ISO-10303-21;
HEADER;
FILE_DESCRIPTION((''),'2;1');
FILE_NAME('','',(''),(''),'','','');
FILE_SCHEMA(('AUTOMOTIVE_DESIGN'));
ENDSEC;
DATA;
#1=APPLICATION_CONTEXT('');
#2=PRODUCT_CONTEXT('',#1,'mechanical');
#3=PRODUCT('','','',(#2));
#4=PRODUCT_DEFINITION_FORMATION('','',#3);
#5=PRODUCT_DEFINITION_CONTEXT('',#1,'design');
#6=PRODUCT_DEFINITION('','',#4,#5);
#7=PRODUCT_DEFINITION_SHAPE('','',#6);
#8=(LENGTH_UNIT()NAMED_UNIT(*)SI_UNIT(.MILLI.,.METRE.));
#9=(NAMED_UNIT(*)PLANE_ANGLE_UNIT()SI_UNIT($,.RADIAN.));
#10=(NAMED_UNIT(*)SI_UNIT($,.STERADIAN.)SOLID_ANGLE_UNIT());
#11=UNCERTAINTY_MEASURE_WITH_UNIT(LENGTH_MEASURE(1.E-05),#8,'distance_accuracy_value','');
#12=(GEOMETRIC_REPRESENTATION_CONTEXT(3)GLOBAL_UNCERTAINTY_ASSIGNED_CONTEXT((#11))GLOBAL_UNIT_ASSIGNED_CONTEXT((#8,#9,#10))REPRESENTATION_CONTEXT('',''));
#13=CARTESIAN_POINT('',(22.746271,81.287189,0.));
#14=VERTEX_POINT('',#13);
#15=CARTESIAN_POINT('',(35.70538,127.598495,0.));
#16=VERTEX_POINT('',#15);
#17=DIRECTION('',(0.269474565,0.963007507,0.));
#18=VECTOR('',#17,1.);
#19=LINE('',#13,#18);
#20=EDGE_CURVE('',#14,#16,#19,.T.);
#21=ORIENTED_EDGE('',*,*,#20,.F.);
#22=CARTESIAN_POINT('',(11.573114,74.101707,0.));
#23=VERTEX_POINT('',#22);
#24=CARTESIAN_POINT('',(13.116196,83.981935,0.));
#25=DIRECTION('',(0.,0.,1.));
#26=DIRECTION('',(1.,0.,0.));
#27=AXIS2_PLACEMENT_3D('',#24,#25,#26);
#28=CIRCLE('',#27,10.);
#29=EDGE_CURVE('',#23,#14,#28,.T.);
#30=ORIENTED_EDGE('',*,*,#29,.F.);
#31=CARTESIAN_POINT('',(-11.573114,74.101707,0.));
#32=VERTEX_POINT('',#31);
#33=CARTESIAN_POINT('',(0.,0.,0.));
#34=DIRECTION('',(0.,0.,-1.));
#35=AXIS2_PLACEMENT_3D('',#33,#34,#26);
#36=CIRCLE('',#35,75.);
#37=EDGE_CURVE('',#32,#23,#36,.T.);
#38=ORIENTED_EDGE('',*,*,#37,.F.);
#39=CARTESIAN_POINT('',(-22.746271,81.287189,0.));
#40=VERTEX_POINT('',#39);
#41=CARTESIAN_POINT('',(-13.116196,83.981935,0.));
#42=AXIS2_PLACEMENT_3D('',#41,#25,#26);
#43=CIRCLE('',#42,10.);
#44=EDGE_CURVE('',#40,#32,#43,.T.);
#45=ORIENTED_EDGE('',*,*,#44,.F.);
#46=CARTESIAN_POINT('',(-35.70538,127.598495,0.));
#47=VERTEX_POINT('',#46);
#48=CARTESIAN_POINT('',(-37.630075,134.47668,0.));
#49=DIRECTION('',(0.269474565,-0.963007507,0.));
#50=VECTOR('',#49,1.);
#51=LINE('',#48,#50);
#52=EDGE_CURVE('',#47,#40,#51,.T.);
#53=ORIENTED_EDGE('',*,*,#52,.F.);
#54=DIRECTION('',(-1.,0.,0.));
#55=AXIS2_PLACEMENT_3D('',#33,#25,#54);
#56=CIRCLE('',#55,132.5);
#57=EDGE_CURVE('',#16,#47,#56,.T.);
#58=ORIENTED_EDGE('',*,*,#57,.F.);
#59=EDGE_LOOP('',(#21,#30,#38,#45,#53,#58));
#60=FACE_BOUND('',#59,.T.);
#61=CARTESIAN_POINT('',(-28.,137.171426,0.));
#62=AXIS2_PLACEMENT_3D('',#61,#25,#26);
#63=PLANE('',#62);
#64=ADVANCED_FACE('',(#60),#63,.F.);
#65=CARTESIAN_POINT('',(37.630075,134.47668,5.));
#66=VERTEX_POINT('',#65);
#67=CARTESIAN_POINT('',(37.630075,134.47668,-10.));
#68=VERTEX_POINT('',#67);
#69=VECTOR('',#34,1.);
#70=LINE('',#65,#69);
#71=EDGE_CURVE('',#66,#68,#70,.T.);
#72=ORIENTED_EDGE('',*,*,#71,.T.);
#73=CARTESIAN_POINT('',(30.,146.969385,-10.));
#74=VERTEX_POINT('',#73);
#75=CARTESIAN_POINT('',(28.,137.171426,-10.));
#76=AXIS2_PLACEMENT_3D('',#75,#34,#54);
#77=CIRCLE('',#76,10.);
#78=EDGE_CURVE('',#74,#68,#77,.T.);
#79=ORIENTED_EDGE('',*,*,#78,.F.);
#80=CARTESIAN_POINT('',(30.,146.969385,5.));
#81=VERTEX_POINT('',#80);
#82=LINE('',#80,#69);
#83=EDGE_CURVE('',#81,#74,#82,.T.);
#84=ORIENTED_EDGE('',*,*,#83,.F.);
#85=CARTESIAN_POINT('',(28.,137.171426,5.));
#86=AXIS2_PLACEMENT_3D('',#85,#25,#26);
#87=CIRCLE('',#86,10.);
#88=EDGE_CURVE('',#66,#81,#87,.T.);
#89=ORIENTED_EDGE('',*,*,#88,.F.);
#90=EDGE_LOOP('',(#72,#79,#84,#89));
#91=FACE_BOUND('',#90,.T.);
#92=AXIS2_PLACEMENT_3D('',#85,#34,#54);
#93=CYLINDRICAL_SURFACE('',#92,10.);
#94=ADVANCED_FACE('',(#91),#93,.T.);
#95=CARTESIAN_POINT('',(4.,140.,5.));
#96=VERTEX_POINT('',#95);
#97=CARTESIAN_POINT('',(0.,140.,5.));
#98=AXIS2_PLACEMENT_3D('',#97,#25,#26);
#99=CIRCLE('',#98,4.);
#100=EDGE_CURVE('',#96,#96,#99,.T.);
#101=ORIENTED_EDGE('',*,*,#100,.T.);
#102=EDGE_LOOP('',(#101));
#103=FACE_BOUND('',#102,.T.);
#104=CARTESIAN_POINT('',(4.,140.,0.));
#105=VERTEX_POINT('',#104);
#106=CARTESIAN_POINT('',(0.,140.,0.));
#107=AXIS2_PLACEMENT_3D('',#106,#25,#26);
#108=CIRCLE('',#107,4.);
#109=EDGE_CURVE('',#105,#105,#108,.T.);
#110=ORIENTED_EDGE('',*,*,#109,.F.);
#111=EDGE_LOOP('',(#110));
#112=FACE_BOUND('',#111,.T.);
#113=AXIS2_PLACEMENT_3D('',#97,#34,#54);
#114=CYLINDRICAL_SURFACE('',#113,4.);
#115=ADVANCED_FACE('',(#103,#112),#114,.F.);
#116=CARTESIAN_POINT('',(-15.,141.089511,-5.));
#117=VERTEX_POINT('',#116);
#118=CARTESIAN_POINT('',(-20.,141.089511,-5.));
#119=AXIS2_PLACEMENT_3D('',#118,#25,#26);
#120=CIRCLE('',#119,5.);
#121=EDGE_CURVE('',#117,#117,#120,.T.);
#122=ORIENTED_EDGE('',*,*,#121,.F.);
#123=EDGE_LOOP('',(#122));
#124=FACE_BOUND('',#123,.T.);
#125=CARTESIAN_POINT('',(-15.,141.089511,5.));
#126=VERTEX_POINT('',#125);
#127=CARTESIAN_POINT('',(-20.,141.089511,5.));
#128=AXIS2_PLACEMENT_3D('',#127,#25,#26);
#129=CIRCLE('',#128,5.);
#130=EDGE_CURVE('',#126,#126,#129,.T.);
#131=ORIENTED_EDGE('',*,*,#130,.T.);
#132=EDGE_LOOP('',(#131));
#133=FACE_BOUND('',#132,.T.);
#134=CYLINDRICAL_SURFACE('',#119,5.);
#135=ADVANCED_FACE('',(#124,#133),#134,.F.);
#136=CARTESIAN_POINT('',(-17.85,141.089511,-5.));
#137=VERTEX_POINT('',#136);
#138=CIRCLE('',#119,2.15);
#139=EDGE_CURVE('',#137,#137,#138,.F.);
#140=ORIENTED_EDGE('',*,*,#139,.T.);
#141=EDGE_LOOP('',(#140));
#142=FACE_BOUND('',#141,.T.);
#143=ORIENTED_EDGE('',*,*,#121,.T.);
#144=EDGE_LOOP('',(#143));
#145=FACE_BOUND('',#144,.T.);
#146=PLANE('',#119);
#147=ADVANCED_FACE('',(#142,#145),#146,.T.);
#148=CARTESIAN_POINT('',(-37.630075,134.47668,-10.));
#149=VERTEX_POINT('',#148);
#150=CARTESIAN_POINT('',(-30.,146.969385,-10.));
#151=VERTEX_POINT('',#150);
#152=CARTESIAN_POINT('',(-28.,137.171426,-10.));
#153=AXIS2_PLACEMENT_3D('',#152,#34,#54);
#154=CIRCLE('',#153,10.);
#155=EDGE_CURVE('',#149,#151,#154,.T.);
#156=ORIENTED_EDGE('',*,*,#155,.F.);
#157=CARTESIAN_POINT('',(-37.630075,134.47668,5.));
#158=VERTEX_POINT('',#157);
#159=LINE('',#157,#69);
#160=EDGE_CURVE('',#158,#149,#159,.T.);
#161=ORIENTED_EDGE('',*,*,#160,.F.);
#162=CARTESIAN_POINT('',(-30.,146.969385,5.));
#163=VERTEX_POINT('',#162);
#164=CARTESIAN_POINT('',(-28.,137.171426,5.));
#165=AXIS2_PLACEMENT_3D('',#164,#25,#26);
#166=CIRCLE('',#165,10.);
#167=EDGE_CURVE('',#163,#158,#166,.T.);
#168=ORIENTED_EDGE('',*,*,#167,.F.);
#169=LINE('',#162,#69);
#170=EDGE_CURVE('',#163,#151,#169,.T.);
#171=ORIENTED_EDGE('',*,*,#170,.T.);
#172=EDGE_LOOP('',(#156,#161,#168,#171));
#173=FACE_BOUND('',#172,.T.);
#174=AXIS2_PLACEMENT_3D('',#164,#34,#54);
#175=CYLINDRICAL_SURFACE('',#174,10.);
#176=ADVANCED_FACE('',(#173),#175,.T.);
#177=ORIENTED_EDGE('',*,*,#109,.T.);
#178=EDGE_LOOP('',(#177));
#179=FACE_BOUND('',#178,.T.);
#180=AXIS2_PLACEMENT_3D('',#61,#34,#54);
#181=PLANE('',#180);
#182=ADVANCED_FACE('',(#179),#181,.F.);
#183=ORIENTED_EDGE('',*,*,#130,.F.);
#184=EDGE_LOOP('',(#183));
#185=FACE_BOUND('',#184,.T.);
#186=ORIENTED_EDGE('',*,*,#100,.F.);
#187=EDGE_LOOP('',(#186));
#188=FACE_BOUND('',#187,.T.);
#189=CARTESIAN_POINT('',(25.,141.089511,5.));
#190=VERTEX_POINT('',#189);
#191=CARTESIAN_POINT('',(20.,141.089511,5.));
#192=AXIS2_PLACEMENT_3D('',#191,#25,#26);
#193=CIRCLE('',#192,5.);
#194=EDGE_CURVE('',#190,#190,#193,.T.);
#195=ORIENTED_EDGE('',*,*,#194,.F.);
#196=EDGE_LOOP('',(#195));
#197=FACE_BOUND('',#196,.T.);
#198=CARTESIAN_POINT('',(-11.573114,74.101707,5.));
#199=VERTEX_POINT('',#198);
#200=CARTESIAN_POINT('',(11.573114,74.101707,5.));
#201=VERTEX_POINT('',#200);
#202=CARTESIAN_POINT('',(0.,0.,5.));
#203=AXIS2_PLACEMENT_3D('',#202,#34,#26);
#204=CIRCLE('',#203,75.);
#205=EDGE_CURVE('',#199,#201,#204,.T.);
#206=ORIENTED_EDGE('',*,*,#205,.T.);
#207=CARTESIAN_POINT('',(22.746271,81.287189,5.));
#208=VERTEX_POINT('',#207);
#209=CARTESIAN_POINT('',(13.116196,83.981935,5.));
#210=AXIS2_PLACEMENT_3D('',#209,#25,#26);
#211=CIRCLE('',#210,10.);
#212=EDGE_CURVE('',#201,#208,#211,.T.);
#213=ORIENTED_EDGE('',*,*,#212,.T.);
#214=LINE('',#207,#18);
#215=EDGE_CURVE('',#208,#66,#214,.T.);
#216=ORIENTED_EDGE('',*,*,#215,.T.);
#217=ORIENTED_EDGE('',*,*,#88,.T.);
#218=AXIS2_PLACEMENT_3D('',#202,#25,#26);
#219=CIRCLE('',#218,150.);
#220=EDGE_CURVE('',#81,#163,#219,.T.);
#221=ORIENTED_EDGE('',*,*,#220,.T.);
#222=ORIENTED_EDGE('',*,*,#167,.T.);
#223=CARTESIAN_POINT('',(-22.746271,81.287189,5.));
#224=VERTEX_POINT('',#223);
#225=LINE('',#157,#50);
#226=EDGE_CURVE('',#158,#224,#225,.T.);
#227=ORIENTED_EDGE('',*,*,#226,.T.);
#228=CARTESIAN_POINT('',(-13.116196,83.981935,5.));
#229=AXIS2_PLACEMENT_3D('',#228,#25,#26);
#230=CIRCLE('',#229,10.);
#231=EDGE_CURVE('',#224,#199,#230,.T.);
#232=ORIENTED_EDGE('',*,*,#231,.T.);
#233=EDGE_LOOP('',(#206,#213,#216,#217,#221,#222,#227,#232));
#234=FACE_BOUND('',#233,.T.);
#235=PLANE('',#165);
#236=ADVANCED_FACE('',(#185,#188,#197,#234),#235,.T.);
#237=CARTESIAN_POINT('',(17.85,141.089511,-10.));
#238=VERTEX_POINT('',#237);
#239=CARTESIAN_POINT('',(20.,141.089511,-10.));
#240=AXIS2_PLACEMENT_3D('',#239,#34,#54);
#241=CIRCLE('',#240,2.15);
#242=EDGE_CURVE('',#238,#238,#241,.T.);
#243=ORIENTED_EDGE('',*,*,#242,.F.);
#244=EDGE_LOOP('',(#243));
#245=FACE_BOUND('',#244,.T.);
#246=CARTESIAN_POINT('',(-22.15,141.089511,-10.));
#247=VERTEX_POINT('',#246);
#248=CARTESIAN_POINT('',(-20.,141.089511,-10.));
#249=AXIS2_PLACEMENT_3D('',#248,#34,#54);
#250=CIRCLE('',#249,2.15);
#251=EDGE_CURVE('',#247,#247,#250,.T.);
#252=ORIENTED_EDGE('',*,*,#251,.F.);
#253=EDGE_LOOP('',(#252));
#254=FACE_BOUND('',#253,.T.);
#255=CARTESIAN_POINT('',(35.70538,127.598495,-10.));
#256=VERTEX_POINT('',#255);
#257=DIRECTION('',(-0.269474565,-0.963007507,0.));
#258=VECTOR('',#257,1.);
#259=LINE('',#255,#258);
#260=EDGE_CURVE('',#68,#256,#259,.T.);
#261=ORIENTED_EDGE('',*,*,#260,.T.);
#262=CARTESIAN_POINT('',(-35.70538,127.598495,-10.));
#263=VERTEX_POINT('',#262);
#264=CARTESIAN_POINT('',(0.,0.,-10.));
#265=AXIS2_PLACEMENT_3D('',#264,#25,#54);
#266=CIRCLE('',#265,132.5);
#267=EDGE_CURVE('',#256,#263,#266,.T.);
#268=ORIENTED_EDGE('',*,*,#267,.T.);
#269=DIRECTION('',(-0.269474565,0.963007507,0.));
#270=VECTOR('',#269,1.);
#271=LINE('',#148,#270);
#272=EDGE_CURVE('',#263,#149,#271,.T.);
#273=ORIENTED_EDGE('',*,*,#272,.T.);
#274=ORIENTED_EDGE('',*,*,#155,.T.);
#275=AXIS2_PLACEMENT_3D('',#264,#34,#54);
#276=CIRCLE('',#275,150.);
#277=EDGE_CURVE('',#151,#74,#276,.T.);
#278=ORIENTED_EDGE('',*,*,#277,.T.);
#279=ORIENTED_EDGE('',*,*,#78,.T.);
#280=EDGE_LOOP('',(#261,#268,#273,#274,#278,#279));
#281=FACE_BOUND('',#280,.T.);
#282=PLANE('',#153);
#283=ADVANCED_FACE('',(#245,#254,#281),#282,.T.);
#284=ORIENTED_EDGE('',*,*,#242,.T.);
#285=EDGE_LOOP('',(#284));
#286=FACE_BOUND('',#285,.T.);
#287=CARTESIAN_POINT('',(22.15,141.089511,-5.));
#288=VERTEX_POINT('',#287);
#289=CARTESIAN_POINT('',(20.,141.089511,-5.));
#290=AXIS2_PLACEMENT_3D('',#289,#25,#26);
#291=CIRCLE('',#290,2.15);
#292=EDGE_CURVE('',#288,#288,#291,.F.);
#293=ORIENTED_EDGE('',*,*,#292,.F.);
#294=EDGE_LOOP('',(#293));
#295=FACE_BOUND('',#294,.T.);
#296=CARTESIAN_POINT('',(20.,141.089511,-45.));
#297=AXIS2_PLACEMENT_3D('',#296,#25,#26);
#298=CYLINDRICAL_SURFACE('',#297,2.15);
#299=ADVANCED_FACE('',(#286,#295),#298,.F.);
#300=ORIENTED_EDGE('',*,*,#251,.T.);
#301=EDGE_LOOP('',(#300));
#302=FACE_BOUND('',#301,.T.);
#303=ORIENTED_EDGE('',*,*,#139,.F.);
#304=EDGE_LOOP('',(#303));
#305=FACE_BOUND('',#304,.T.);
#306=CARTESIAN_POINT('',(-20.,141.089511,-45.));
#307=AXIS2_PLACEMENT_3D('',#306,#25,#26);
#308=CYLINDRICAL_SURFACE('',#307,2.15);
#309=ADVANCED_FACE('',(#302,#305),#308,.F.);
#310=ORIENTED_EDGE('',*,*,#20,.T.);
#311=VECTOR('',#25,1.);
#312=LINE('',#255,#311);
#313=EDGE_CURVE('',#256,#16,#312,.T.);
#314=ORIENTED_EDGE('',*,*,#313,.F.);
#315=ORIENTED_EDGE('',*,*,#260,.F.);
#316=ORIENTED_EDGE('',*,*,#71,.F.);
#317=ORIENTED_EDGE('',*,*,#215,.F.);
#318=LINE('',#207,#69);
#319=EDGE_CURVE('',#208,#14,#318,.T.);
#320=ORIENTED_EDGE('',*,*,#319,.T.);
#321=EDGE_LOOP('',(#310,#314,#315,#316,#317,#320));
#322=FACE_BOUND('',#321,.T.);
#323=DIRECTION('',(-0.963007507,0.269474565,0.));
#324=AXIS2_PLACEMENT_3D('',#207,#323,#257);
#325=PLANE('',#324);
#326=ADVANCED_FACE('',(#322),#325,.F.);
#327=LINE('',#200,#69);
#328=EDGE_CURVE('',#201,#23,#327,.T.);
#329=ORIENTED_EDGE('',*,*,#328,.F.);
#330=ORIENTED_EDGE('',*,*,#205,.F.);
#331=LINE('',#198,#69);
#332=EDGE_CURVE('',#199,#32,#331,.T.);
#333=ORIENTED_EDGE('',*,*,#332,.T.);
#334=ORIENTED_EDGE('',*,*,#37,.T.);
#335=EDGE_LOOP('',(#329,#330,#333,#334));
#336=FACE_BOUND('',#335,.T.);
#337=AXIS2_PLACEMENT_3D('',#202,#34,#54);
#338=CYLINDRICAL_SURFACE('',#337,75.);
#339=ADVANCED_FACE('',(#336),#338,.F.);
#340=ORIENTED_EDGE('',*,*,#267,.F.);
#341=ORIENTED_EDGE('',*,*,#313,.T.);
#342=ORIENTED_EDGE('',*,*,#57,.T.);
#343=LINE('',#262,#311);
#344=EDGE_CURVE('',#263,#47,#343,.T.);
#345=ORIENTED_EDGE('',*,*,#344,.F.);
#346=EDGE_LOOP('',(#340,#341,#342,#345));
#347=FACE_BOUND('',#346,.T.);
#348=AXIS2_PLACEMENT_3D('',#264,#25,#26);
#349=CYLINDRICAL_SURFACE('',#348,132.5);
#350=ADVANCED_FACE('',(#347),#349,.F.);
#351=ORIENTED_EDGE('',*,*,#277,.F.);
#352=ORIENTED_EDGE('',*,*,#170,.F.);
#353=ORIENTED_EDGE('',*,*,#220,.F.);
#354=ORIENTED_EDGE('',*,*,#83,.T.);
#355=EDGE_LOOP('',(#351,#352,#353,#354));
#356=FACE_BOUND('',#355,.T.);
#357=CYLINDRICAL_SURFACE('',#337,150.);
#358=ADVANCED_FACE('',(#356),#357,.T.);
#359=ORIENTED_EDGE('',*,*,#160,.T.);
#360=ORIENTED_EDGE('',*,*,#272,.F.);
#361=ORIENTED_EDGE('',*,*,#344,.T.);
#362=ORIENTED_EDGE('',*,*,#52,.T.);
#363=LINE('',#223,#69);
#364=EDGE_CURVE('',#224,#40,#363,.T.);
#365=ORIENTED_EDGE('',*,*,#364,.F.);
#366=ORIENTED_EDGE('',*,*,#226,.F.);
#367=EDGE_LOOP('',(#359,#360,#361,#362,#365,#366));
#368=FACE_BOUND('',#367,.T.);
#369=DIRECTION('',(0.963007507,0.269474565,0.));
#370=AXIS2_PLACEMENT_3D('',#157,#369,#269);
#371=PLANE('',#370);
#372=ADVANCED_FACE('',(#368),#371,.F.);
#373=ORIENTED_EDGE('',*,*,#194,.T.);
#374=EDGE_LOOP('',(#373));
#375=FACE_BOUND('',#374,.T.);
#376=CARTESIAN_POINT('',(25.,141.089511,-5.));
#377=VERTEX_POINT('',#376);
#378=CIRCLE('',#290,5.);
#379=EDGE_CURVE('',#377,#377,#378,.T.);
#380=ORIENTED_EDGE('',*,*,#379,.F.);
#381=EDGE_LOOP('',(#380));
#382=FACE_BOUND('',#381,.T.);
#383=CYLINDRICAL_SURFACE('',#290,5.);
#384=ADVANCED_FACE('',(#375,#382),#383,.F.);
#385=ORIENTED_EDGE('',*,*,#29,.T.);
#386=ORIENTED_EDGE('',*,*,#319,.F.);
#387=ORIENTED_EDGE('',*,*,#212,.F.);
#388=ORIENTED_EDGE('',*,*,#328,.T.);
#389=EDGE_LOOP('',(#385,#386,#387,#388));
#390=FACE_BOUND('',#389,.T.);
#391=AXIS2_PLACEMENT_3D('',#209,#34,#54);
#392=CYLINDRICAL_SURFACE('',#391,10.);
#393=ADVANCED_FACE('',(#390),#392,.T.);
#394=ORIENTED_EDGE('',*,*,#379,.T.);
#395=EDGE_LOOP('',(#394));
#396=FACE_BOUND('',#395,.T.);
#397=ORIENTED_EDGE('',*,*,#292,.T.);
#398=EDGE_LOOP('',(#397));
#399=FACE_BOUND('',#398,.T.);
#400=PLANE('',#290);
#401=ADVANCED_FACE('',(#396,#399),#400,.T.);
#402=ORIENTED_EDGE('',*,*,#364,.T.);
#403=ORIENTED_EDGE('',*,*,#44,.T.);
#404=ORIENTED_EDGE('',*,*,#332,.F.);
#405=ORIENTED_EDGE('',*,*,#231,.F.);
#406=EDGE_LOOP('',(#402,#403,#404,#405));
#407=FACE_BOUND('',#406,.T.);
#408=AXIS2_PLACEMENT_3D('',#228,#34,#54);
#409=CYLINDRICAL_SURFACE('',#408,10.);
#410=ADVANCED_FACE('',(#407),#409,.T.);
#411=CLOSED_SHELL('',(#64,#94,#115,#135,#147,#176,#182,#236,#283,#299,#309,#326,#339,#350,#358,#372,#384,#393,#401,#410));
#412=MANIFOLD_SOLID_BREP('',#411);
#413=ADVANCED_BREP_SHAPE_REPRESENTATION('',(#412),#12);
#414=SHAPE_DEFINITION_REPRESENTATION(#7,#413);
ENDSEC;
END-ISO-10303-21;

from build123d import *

# Parameters (mm, degrees)
EXTRUDE_1_DEPTH     = 5
EXTRUDE_START       = 10
EXTRUDE_2_DEPTH     = 10
SKETCH_3_R          = 2.15
CUT_EXTRUDE_1_DEPTH = 50
SKETCH_4_R          = 5
CUT_EXTRUDE_2_DEPTH = 10


with BuildPart() as part:
    # 草图1 → 凸台-拉伸1 (new body)
    with BuildSketch(Plane.XY):
        with BuildLine():
            Line((-37.630075072, 134.476679949), (-22.746271228, 81.287189306))
            ThreePointArc((-22.746271228, 81.287189306), (-19.159893018, 76.014894835), (-13.116196156, 73.981934953))
            ThreePointArc((-13.116196156, 73.981934953), (-12.342334545, 74.011923006), (-11.573114255, 74.101707311))
            ThreePointArc((-11.573114255, 74.101707311), (0, 75), (11.573114255, 74.101707311))
            ThreePointArc((11.573114255, 74.101707311), (12.342334545, 74.011923006), (13.116196156, 73.981934953))
            ThreePointArc((13.116196156, 73.981934953), (19.159893018, 76.014894835), (22.746271228, 81.287189306))
            Line((22.746271228, 81.287189306), (37.630075072, 134.476679949))
            ThreePointArc((37.630075072, 134.476679949), (36.534141944, 142.38375917), (30, 146.969384567))
            ThreePointArc((30, 146.969384567), (0, 150), (-30, 146.969384567))
            ThreePointArc((-30, 146.969384567), (-36.534141944, 142.38375917), (-37.630075072, 134.476679949))
        make_face()
        with BuildLine():
            ThreePointArc((0, 144), (-4, 140), (0, 136))
            ThreePointArc((0, 136), (4, 140), (0, 144))
        make_face(mode=Mode.SUBTRACT)
    extrude(amount=EXTRUDE_1_DEPTH)

    # 草图2 → 凸台-拉伸2 (add)
    with BuildSketch(Plane(origin=(0, 0, 0), x_dir=(-1, 0, 0), z_dir=(0, 0, -1)).offset(EXTRUDE_START)):
        with BuildLine():
            Line((37.630075072, 134.476679949), (35.705379823, 127.598494708))
            ThreePointArc((35.705379823, 127.598494708), (0, 132.5), (-35.705379823, 127.598494708))
            Line((-35.705379823, 127.598494708), (-37.630075072, 134.476679949))
            ThreePointArc((-37.630075072, 134.476679949), (-36.534141944, 142.38375917), (-30, 146.969384567))
            ThreePointArc((-30, 146.969384567), (0, 150), (30, 146.969384567))
            ThreePointArc((30, 146.969384567), (36.534141944, 142.38375917), (37.630075072, 134.476679949))
        make_face()
    extrude(amount=-EXTRUDE_2_DEPTH)

    # 草图3 → 切除-拉伸1 (cut)
    with BuildSketch(Plane.XY.offset(5)):
        with Locations((-20, 141.089510595)):
            Circle(SKETCH_3_R)
        with Locations((20, 141.089510595)):
            Circle(SKETCH_3_R)
    extrude(amount=-CUT_EXTRUDE_1_DEPTH, mode=Mode.SUBTRACT)

    # 草图4 → 切除-拉伸2 (cut)
    with BuildSketch(Plane.XY.offset(5)):
        with Locations((-20, 141.089510595)):
            Circle(SKETCH_4_R)
        with Locations((20, 141.089510595)):
            Circle(SKETCH_4_R)
    extrude(amount=-CUT_EXTRUDE_2_DEPTH, mode=Mode.SUBTRACT)


solid = part.part
